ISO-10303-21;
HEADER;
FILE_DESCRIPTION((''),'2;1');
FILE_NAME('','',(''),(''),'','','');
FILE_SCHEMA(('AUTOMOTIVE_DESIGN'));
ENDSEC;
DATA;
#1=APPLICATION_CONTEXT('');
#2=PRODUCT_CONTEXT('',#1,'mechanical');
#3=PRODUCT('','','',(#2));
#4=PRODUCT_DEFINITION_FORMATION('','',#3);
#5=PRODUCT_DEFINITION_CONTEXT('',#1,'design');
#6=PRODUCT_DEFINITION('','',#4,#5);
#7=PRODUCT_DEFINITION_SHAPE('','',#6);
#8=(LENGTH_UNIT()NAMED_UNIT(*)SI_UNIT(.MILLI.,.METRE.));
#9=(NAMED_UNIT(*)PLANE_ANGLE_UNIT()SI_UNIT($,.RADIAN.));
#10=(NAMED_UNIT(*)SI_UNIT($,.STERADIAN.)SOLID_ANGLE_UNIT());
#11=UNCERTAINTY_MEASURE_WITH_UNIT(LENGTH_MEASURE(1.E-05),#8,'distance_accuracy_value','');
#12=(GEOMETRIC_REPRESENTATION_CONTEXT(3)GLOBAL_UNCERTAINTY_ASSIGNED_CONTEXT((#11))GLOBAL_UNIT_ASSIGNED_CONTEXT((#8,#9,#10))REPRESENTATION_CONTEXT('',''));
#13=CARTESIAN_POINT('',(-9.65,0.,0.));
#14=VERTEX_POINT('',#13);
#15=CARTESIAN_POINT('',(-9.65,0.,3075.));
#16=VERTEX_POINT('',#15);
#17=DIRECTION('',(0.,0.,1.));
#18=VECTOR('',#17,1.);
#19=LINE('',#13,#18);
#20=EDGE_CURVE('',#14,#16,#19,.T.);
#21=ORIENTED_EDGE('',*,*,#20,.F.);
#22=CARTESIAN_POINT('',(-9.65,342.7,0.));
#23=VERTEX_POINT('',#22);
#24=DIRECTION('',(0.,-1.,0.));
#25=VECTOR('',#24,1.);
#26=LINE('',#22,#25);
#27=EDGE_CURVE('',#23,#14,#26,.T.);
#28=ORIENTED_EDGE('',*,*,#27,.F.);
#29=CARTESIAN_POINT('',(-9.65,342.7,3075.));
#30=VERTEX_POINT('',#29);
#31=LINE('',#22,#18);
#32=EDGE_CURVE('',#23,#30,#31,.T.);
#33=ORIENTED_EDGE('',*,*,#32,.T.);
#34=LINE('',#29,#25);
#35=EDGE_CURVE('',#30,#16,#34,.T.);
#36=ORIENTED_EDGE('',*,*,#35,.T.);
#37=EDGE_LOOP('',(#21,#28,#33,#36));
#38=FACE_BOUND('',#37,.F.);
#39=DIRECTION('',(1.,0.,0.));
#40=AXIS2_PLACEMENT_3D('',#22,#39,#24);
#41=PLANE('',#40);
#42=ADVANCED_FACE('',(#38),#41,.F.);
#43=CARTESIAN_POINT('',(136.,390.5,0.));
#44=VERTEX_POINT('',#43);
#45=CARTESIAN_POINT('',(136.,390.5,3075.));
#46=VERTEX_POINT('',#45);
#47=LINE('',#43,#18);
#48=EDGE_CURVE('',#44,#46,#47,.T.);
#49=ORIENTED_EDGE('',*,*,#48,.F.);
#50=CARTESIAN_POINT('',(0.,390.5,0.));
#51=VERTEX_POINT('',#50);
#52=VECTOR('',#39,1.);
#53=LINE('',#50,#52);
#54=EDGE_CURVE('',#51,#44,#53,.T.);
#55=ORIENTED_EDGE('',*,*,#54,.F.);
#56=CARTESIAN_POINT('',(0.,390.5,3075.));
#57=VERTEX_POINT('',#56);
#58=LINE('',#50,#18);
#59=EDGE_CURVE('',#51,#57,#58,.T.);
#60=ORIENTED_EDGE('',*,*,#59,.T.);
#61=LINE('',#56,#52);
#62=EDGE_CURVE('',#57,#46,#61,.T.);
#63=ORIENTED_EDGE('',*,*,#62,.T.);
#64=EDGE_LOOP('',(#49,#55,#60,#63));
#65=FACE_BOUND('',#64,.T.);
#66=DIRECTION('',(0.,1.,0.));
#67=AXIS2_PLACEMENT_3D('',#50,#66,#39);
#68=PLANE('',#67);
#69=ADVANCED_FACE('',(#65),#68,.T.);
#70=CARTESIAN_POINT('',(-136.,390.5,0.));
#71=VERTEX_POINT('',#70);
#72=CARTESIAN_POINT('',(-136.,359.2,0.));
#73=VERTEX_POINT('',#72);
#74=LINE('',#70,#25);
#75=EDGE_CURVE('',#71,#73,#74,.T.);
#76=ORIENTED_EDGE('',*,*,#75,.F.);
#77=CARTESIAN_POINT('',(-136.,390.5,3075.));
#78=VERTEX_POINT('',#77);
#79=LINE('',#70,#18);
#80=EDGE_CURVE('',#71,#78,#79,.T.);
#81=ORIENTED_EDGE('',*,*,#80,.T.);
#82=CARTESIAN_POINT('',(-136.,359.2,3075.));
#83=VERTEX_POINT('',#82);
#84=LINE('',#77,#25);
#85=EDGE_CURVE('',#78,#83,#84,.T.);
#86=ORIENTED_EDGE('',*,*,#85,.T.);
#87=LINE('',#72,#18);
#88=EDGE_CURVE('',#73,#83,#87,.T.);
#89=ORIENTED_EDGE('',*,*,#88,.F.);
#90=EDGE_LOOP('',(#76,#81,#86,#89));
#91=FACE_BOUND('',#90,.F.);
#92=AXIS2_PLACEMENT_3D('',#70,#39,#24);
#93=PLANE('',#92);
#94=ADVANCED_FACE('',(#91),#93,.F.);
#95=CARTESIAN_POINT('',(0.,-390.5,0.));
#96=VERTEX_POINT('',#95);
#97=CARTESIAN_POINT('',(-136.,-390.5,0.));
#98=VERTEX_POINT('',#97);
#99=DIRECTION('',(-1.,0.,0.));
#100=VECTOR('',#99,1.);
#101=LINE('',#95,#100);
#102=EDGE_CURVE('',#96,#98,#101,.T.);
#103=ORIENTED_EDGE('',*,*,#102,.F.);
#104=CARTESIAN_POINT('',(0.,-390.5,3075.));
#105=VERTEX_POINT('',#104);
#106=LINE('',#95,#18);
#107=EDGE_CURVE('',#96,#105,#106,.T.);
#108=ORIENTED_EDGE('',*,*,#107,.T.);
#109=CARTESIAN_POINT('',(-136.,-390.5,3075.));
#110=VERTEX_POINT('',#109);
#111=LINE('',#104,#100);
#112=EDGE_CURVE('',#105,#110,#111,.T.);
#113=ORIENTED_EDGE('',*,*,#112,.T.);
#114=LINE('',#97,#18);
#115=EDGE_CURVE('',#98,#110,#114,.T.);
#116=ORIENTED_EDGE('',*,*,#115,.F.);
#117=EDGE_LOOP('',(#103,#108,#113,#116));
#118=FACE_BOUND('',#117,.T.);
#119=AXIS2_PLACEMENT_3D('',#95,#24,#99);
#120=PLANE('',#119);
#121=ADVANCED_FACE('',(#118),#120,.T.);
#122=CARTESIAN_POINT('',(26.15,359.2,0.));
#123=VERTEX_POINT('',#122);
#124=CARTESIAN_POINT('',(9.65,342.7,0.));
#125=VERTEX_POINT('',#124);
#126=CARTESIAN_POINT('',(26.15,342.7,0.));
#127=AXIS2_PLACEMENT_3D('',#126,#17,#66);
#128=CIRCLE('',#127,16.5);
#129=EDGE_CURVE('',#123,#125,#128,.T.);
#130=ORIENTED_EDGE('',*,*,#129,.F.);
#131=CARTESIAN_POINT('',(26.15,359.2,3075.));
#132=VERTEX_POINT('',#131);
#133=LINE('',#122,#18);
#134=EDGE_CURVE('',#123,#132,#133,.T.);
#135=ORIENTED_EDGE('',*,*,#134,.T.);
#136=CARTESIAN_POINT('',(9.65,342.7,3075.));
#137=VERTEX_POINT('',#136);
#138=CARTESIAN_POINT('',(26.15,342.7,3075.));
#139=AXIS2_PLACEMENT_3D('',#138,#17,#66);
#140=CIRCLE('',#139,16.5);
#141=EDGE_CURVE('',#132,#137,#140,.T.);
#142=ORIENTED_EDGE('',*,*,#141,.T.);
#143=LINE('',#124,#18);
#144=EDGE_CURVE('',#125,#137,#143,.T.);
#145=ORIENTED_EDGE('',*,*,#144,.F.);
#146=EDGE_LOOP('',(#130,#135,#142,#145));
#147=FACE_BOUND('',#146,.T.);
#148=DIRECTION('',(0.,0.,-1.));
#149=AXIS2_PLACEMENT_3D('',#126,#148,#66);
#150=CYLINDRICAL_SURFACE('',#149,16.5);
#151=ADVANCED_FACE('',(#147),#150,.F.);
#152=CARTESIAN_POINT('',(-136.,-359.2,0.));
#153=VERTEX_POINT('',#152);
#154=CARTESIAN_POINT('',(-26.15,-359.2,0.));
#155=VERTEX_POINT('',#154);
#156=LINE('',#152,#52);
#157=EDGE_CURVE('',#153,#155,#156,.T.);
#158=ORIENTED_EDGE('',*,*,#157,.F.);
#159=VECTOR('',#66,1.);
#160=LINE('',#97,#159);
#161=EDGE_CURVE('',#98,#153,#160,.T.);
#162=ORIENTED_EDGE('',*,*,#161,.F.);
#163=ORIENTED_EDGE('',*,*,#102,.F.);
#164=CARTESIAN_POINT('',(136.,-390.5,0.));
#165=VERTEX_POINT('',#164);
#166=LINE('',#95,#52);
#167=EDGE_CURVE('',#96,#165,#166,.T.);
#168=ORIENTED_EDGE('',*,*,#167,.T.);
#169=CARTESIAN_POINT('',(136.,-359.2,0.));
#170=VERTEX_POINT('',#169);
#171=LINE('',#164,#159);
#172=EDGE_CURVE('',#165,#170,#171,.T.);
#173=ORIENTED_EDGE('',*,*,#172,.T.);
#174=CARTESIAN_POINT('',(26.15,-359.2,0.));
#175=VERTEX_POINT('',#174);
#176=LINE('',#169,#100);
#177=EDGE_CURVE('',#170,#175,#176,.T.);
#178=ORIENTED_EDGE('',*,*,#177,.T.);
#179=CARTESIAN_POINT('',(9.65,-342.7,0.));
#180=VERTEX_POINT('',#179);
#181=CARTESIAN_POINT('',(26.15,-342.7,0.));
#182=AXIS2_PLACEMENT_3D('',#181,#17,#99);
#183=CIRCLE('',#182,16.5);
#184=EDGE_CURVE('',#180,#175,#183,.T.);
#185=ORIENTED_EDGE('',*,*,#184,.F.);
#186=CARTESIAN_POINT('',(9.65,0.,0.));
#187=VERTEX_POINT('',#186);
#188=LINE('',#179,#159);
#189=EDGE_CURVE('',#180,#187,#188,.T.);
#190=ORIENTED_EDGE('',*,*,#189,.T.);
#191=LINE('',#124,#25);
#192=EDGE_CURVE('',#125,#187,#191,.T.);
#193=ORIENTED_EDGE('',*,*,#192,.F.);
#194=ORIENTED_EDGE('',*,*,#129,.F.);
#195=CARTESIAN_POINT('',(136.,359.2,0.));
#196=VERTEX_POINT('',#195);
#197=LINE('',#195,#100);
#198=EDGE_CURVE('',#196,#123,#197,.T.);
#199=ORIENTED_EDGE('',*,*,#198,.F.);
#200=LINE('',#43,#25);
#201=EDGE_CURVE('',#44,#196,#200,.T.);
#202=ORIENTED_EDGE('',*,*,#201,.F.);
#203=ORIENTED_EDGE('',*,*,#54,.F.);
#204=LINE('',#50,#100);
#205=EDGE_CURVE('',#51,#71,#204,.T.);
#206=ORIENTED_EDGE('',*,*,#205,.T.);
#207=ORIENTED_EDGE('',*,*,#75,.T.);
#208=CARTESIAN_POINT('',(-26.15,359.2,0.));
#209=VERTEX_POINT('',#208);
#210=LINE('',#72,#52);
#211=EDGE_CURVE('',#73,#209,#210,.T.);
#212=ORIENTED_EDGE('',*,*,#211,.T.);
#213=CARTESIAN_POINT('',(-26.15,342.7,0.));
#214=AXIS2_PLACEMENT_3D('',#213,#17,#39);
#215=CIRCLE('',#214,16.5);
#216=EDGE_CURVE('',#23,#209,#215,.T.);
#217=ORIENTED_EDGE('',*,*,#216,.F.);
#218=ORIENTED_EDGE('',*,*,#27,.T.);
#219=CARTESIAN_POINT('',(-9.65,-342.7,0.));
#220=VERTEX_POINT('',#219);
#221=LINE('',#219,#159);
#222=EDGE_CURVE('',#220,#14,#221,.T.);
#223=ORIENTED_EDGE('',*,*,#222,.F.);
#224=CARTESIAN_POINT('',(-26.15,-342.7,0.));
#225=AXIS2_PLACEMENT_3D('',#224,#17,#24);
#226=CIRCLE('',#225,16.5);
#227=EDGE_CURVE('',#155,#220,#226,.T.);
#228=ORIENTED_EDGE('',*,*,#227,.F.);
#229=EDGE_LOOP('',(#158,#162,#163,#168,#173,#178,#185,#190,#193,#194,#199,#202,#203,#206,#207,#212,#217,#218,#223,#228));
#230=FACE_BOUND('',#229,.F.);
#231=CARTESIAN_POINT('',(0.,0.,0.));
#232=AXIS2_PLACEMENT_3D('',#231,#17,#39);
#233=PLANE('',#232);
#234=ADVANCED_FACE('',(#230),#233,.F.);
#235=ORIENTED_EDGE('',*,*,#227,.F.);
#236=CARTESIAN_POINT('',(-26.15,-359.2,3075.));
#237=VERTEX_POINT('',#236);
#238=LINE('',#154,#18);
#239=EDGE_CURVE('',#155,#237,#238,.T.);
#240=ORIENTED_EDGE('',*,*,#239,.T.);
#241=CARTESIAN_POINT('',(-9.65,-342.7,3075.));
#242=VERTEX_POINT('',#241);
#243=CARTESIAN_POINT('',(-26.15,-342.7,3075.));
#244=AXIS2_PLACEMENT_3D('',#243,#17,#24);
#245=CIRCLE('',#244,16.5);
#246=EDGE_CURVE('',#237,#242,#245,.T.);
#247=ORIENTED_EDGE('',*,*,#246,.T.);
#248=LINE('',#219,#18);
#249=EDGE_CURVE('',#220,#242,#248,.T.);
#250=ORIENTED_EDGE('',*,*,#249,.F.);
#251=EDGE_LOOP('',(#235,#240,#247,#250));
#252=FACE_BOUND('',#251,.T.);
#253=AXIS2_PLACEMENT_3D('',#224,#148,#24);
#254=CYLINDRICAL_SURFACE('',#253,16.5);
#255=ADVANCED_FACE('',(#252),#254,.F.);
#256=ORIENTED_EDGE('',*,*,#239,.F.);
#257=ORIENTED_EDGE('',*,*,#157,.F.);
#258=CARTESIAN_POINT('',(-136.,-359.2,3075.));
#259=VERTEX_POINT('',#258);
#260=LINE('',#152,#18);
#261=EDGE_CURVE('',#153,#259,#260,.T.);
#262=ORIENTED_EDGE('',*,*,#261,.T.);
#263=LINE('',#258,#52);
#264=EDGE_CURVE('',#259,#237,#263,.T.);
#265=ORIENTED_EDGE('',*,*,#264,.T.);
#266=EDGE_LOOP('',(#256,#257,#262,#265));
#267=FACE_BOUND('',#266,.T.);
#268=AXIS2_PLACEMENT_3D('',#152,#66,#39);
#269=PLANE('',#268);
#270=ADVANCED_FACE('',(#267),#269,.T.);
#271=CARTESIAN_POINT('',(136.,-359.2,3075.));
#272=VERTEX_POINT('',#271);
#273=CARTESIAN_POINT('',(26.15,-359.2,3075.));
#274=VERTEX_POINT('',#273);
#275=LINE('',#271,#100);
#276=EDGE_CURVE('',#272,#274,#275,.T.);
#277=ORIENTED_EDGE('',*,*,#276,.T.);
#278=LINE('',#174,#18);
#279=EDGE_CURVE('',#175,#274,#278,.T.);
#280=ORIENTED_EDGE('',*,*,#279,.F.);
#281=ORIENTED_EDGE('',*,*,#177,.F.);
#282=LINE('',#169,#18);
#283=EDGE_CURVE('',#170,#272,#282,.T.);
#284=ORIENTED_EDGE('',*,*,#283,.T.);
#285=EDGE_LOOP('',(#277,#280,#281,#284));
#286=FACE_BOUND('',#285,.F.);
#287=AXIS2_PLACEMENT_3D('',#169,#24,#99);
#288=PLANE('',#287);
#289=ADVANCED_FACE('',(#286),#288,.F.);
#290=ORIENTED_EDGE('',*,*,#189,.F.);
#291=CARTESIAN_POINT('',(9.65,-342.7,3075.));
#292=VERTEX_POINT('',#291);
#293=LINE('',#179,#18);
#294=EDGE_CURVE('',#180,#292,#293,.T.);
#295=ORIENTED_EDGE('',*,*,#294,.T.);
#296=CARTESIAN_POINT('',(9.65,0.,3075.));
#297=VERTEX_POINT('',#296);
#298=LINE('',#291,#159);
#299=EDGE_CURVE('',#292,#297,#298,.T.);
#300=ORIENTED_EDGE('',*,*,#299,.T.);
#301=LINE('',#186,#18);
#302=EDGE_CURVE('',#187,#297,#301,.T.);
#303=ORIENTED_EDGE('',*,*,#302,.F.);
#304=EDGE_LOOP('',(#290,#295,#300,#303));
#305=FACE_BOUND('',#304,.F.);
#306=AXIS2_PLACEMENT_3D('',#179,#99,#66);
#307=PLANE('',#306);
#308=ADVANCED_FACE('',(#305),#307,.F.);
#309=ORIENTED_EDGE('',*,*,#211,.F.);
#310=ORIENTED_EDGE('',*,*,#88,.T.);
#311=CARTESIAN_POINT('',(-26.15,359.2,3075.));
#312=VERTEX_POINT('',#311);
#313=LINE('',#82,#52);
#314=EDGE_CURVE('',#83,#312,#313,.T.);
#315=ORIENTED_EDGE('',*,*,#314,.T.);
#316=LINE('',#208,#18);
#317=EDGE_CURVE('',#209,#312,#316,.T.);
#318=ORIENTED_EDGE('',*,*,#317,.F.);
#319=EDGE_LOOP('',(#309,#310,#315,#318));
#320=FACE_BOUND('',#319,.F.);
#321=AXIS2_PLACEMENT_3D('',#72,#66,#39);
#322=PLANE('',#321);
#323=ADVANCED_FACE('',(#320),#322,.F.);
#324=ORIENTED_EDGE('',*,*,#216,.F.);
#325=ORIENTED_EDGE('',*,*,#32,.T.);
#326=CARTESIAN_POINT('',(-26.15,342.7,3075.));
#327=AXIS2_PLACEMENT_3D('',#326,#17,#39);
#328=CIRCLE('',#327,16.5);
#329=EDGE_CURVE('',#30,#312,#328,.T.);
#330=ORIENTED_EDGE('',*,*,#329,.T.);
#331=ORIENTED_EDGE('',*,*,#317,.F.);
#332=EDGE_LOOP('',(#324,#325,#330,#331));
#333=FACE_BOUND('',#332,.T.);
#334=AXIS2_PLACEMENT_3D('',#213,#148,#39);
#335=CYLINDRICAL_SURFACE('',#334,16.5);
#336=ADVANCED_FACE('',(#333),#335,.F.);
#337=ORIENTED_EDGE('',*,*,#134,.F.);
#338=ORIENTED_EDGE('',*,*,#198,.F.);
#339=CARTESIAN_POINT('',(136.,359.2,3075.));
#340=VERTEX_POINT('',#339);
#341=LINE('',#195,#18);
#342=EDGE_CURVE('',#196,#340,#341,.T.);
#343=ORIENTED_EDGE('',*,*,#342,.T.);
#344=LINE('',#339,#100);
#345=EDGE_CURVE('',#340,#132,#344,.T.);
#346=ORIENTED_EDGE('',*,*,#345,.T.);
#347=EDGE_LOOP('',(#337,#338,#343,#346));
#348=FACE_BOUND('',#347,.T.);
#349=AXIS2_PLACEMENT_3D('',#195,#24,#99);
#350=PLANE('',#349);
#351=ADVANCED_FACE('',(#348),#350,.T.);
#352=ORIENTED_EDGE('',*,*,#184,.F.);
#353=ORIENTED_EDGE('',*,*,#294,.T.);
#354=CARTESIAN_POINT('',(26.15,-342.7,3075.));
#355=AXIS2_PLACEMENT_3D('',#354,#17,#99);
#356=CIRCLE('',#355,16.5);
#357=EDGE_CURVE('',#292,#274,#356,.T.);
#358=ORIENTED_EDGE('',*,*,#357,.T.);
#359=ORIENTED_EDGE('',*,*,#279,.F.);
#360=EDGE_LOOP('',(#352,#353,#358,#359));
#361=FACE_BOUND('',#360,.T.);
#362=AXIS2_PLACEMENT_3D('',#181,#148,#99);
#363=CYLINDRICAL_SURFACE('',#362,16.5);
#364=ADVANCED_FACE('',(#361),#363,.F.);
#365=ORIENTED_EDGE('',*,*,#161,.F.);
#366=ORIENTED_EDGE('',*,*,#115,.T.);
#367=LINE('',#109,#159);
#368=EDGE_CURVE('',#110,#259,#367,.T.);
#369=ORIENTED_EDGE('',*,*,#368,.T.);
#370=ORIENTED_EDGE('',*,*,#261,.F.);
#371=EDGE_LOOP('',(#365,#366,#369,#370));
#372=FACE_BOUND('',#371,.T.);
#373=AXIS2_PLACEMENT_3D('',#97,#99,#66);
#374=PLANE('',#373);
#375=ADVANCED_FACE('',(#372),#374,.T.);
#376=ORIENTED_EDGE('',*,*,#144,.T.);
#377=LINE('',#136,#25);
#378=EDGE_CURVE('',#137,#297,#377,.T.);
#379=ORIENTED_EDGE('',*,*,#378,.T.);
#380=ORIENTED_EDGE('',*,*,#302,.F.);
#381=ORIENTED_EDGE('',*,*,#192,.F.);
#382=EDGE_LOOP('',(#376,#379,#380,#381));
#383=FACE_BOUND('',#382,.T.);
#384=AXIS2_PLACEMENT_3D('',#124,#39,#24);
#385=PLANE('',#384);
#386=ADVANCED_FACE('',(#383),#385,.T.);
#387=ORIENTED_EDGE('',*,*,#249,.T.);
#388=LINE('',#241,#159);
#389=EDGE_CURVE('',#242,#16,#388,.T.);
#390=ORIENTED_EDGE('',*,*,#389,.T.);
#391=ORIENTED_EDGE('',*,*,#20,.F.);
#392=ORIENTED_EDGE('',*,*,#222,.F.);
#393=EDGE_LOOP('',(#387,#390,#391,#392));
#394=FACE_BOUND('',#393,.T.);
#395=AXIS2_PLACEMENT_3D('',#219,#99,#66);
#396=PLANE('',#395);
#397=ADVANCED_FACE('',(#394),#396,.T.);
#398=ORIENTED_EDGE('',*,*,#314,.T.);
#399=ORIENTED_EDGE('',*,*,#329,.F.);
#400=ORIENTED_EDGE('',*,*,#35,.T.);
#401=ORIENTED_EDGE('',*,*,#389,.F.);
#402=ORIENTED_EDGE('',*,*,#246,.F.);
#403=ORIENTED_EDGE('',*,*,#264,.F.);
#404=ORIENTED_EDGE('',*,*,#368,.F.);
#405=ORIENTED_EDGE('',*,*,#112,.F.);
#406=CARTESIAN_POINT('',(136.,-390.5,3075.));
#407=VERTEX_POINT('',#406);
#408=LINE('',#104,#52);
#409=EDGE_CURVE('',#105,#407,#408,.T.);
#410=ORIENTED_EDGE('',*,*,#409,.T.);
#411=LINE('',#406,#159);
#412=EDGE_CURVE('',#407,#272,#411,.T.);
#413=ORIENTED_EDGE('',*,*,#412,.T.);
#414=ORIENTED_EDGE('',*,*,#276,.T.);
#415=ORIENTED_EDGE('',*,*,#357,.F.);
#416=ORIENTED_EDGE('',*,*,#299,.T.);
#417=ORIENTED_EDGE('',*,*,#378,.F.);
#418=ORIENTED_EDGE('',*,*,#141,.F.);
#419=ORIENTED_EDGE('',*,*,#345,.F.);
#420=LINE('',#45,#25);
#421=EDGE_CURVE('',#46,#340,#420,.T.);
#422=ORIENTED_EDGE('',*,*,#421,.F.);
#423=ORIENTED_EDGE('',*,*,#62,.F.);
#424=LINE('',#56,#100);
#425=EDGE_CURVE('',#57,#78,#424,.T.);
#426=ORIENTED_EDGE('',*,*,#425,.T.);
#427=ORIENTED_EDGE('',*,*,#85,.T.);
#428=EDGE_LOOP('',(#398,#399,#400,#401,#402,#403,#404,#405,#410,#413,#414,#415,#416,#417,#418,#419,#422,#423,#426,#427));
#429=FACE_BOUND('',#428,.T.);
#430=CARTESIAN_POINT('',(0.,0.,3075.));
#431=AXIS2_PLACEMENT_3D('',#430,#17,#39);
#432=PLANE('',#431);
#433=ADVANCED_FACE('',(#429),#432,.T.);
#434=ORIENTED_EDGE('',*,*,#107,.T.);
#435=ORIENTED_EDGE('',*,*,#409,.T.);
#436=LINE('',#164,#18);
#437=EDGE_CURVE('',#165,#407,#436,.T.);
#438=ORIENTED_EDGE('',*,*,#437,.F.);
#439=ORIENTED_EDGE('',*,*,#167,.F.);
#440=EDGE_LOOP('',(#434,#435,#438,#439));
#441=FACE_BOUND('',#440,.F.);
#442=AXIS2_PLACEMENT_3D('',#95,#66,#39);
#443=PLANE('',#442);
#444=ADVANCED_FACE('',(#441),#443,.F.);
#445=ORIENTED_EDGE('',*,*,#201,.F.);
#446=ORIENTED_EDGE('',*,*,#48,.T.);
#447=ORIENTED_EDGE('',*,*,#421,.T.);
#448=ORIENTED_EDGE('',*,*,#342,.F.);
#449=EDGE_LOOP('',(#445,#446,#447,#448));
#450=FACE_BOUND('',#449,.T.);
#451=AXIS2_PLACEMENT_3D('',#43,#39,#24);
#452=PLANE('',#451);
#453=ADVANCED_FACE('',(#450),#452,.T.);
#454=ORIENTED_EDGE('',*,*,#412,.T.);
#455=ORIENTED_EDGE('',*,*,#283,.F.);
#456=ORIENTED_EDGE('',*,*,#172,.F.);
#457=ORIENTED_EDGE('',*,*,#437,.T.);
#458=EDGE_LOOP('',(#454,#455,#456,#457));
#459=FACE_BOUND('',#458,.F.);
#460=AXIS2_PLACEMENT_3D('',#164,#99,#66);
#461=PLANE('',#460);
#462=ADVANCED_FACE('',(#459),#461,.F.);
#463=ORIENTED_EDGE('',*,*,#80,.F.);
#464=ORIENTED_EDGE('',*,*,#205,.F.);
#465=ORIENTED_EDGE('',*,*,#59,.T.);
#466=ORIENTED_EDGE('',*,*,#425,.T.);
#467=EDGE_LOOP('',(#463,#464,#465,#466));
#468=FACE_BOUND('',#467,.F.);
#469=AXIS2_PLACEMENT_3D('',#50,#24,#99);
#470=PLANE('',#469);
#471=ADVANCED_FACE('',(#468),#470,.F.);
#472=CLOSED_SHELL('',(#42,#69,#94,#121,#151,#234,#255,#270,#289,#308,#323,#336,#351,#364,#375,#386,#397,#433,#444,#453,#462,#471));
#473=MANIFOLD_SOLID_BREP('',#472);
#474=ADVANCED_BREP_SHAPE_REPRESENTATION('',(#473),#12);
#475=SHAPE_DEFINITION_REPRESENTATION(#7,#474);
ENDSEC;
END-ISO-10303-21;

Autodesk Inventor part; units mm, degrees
ref_plane "YZ Plane" through (0, 0, 0) normal (1, 0, 0) x (0, 1, 0)
ref_plane "Start plane" through (0, 0, 0) normal (0, 0, 1) x (1, 0, 0)
ref_plane "End plane" through (0, 0, 3075) normal (0, 0, 1) x (1, 0, 0)
sketch "Sketch" plane through (0, 0, 0) normal (0, 0, 1) x (1, 0, 0)
  line L0 (-136, -390.5) -> (-136, -359.2)
  line L1 (-136, -359.2) -> (-26.15, -359.2)
  line L2 (-9.65, -342.7) -> (-9.65, 0)
  line L3 (-9.65, 0) -> (0, 0) construction
  line L4 (0, 0) -> (0, -390.5) construction
  line L5 (0, -390.5) -> (-136, -390.5)
  line L6 (-60, 0) -> (80, 0) construction
  line L7 (0, -60) -> (0, 80) construction
  line L8 (136, -390.5) -> (136, -359.2)
  line L9 (136, -359.2) -> (26.15, -359.2)
  line L10 (9.65, -342.7) -> (9.65, 0)
  line L11 (9.65, 0) -> (0, 0) construction
  line L12 (0, -390.5) -> (136, -390.5)
  line L13 (-136, 390.5) -> (-136, 359.2)
  line L14 (-136, 359.2) -> (-26.15, 359.2)
  line L15 (-9.65, 342.7) -> (-9.65, 0)
  line L16 (0, 390.5) -> (-136, 390.5)
  line L17 (136, 390.5) -> (136, 359.2)
  line L18 (136, 359.2) -> (26.15, 359.2)
  line L19 (0, 390.5) -> (136, 390.5)
  line L20 (9.65, 342.7) -> (9.65, 0)
  arc A0 (-9.65, 342.7) -> (-26.15, 359.2) centre (-26.15, 342.7) ccw
  arc A1 (26.15, 359.2) -> (9.65, 342.7) centre (26.15, 342.7) ccw
  arc A2 (9.65, -342.7) -> (26.15, -359.2) centre (26.15, -342.7) ccw
  arc A3 (-26.15, -359.2) -> (-9.65, -342.7) centre (-26.15, -342.7) ccw
  line L21 (0, 108) -> (0, -88) construction
  line L22 (-88, 0) -> (108, 0) construction
  point P0 (-9.65, -359.2)
  point P1 (9.65, -359.2)
  point P2 (-9.65, 359.2)
  point P3 (9.65, 359.2)
  dimension "d1" = 390.5
  dimension "d2" = 31.3
  dimension "d3" = 136
  dimension "d4" = 9.65
  dimension "d10" = 16.5
extrude "Body" add sketch "Sketch" along normal up to surface (3075 mm away) from surface at 0
sketch "Sketch4" plane through (0, 0, 0) normal (0, 0, 1) x (1, 0, 0)
  line L0 (0, 0) -> (10, 0)
ref_plane "Work Plane3" through (0, 0, 0) normal (0, -1, 0) x (1, 0, 0)
sketch "Sketch5" plane through (0, 0, 0) normal (0, -1, 0) x (1, 0, 0)
  line L0 (-2, 0) -> (12, 0) projected
  line L1 (-2, 3075) -> (12, 3075) projected
  dimension "d14" = 3075
equation "\"d1\" = 0.5 * G_H"
equation "\"d2\" = G_T1"
equation "\"d3\" = 0.5 * G_W"
equation "\"d4\" = 0.5 * G_T"
equation "\"d10\" = G_IR"
equation "\"d5\" = G_L"
equation "\"G_W\" = 272"
equation "\"G_H\" = 781"
equation "\"G_T\" = 19.3"
equation "\"G_T1\" = 31.3"
equation "\"G_IR\" = 16.5"
equation "\"G_L\" = d14"
equation "\"G_OFFSET_START\" = 0"
equation "\"G_OFFSET_END\" = 0"
equation "\"d12\" = G_OFFSET_END + B_L"
equation "\"B_L\" = 3075"
properties part number "AS 3679-1990 - 760 UB - 244 - 3075" material "Steel, Mild"
